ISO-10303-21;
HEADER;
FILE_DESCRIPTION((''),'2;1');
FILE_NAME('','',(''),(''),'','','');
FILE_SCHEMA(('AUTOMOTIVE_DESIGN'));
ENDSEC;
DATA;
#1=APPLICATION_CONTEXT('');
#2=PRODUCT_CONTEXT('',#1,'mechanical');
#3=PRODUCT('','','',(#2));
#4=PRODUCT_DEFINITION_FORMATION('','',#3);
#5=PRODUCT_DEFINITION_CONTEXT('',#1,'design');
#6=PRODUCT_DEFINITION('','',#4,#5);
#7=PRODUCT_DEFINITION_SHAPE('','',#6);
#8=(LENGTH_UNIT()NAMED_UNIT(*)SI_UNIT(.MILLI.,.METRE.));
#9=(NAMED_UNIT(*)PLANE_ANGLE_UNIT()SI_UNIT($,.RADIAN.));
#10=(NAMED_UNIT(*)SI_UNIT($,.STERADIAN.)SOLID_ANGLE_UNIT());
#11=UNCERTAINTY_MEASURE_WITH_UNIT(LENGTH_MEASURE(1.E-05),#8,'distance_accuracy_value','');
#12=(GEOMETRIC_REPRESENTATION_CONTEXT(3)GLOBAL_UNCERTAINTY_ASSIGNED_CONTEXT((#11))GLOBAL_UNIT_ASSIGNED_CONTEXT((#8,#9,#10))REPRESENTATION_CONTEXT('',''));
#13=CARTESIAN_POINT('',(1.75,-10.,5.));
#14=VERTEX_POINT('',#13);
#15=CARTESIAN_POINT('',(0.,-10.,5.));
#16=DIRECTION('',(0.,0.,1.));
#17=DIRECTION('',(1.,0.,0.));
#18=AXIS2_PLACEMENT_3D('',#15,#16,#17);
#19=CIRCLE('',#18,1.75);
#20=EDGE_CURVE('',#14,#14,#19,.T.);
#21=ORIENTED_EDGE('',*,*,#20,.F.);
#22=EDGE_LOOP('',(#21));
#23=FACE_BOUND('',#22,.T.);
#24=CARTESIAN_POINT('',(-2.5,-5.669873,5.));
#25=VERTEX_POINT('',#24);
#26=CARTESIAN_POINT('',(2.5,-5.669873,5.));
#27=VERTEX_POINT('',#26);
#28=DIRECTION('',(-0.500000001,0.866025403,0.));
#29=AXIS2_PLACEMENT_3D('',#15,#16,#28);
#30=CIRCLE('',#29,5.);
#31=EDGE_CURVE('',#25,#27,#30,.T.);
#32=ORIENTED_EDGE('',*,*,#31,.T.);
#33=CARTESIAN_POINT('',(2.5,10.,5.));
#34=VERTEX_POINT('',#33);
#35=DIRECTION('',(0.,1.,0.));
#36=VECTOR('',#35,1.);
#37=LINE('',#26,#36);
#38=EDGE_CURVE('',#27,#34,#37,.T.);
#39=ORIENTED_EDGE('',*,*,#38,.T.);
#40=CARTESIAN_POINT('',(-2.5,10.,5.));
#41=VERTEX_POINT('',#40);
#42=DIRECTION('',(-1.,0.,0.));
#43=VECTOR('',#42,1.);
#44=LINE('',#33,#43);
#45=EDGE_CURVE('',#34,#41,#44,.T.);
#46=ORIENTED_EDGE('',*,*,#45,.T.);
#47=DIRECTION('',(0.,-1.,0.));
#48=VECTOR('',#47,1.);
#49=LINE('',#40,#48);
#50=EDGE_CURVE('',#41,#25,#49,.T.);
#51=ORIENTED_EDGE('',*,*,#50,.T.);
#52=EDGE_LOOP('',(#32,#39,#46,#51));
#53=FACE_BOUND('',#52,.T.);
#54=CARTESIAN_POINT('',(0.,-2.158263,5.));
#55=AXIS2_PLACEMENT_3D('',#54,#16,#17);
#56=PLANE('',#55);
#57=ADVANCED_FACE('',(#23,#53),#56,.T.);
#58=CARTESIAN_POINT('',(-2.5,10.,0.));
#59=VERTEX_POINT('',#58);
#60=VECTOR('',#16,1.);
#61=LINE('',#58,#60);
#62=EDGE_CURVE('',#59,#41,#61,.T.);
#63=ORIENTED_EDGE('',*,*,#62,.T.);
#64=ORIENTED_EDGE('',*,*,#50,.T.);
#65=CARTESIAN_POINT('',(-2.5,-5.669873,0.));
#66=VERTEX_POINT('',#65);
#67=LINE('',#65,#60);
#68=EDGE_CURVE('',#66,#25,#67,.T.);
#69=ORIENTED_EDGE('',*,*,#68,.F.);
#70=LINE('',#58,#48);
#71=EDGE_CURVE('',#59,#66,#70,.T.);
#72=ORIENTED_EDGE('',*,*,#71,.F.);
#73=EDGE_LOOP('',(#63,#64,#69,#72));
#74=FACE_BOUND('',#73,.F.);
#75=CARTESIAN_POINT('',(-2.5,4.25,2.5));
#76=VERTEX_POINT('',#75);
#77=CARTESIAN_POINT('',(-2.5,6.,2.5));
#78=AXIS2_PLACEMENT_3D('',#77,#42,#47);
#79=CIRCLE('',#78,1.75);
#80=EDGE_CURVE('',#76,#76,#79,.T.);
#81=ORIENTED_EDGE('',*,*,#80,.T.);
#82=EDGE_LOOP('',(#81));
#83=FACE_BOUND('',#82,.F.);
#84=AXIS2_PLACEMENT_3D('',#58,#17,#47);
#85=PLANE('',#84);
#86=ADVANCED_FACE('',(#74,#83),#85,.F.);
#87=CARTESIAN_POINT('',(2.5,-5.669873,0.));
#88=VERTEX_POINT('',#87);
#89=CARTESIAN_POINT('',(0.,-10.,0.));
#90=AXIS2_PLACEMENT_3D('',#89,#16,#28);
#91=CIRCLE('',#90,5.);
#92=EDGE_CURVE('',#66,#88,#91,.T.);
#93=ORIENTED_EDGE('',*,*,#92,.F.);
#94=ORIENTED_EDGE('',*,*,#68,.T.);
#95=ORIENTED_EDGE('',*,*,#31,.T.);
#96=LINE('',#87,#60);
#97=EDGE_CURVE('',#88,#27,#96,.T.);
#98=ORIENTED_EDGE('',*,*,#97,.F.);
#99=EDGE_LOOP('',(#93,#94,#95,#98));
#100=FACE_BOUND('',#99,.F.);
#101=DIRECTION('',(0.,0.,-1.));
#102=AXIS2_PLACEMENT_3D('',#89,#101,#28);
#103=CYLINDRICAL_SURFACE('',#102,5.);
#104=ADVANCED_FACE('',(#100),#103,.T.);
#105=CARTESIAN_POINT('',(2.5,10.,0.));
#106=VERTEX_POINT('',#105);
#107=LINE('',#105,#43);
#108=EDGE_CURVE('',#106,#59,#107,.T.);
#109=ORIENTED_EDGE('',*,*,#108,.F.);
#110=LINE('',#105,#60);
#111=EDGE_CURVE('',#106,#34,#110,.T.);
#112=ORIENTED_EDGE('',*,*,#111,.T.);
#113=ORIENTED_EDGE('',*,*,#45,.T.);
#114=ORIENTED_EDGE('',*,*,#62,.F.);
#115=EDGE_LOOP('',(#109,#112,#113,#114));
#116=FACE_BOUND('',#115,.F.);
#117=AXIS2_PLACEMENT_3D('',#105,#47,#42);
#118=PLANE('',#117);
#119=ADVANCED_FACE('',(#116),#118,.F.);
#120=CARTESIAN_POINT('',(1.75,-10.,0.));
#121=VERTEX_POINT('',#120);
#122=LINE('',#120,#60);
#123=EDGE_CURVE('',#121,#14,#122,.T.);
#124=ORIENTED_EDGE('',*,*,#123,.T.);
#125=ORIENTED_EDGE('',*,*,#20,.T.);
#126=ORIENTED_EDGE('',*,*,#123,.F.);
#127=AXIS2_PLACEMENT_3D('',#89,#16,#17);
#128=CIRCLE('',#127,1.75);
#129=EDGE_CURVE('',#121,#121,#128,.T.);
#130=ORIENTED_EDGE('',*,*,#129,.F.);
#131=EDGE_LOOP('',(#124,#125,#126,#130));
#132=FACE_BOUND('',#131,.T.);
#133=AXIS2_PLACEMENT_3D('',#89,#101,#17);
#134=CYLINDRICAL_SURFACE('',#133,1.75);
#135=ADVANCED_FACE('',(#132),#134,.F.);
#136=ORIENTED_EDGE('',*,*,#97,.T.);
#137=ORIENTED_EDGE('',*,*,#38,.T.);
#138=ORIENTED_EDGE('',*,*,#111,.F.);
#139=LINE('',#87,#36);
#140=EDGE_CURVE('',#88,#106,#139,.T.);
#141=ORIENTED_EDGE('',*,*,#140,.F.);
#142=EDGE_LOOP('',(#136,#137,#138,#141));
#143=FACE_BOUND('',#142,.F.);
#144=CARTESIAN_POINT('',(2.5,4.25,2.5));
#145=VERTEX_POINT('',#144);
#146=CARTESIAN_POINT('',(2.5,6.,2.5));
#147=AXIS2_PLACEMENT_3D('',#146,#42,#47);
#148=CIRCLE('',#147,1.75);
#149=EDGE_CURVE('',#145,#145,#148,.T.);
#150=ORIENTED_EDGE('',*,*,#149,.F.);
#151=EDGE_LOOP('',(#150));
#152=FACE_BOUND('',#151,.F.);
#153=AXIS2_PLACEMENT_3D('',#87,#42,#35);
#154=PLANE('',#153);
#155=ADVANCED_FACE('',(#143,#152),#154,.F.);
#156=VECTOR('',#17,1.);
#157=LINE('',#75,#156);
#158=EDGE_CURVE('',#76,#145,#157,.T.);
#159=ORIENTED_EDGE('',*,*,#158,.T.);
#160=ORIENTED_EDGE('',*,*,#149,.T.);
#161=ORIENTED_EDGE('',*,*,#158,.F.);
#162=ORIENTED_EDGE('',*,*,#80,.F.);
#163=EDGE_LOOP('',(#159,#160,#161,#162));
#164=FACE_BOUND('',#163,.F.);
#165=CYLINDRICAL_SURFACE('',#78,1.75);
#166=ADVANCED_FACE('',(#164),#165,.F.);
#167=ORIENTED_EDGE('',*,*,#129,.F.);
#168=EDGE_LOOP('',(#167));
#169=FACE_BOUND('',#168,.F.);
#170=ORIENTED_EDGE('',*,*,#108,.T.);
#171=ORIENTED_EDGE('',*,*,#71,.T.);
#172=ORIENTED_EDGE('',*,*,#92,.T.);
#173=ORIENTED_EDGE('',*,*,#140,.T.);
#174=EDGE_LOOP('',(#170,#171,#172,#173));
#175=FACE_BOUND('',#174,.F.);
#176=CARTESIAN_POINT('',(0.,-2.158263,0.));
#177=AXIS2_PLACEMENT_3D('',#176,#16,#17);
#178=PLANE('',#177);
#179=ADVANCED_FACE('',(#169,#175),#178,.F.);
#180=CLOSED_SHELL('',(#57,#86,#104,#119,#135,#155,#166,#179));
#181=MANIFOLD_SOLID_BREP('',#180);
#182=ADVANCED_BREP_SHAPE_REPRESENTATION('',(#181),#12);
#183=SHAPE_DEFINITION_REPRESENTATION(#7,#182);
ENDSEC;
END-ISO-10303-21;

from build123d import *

# Parameters (mm, degrees)
F0_R     = 1.75
F1_DEPTH = 5
F2_R     = 1.75
F3_DEPTH = 25


with BuildPart() as f1:
    # F0 (on Top) → F1 (new body)
    with BuildSketch(Plane.XY):
        with BuildLine():
            Line((2.5, -5.669873), (2.5, 10))
            Line((2.5, 10), (-2.5, 10))
            Line((-2.5, 10), (-2.5, -5.669873))
            ThreePointArc((-2.5, -5.669873), (0, -15), (2.5, -5.669873))
        make_face()
        with Locations((0, -10)):
            Circle(F0_R, mode=Mode.SUBTRACT)
    extrude(amount=F1_DEPTH)

    # F2 (on face) → F3 (cut)
    with BuildSketch(Plane(origin=(-2.5, 0, 0), x_dir=(0, -1, 0), z_dir=(-1, 0, 0))):
        with Locations((-6, 2.5)):
            Circle(F2_R)
    extrude(amount=-F3_DEPTH, mode=Mode.SUBTRACT)


solid = f1.part
